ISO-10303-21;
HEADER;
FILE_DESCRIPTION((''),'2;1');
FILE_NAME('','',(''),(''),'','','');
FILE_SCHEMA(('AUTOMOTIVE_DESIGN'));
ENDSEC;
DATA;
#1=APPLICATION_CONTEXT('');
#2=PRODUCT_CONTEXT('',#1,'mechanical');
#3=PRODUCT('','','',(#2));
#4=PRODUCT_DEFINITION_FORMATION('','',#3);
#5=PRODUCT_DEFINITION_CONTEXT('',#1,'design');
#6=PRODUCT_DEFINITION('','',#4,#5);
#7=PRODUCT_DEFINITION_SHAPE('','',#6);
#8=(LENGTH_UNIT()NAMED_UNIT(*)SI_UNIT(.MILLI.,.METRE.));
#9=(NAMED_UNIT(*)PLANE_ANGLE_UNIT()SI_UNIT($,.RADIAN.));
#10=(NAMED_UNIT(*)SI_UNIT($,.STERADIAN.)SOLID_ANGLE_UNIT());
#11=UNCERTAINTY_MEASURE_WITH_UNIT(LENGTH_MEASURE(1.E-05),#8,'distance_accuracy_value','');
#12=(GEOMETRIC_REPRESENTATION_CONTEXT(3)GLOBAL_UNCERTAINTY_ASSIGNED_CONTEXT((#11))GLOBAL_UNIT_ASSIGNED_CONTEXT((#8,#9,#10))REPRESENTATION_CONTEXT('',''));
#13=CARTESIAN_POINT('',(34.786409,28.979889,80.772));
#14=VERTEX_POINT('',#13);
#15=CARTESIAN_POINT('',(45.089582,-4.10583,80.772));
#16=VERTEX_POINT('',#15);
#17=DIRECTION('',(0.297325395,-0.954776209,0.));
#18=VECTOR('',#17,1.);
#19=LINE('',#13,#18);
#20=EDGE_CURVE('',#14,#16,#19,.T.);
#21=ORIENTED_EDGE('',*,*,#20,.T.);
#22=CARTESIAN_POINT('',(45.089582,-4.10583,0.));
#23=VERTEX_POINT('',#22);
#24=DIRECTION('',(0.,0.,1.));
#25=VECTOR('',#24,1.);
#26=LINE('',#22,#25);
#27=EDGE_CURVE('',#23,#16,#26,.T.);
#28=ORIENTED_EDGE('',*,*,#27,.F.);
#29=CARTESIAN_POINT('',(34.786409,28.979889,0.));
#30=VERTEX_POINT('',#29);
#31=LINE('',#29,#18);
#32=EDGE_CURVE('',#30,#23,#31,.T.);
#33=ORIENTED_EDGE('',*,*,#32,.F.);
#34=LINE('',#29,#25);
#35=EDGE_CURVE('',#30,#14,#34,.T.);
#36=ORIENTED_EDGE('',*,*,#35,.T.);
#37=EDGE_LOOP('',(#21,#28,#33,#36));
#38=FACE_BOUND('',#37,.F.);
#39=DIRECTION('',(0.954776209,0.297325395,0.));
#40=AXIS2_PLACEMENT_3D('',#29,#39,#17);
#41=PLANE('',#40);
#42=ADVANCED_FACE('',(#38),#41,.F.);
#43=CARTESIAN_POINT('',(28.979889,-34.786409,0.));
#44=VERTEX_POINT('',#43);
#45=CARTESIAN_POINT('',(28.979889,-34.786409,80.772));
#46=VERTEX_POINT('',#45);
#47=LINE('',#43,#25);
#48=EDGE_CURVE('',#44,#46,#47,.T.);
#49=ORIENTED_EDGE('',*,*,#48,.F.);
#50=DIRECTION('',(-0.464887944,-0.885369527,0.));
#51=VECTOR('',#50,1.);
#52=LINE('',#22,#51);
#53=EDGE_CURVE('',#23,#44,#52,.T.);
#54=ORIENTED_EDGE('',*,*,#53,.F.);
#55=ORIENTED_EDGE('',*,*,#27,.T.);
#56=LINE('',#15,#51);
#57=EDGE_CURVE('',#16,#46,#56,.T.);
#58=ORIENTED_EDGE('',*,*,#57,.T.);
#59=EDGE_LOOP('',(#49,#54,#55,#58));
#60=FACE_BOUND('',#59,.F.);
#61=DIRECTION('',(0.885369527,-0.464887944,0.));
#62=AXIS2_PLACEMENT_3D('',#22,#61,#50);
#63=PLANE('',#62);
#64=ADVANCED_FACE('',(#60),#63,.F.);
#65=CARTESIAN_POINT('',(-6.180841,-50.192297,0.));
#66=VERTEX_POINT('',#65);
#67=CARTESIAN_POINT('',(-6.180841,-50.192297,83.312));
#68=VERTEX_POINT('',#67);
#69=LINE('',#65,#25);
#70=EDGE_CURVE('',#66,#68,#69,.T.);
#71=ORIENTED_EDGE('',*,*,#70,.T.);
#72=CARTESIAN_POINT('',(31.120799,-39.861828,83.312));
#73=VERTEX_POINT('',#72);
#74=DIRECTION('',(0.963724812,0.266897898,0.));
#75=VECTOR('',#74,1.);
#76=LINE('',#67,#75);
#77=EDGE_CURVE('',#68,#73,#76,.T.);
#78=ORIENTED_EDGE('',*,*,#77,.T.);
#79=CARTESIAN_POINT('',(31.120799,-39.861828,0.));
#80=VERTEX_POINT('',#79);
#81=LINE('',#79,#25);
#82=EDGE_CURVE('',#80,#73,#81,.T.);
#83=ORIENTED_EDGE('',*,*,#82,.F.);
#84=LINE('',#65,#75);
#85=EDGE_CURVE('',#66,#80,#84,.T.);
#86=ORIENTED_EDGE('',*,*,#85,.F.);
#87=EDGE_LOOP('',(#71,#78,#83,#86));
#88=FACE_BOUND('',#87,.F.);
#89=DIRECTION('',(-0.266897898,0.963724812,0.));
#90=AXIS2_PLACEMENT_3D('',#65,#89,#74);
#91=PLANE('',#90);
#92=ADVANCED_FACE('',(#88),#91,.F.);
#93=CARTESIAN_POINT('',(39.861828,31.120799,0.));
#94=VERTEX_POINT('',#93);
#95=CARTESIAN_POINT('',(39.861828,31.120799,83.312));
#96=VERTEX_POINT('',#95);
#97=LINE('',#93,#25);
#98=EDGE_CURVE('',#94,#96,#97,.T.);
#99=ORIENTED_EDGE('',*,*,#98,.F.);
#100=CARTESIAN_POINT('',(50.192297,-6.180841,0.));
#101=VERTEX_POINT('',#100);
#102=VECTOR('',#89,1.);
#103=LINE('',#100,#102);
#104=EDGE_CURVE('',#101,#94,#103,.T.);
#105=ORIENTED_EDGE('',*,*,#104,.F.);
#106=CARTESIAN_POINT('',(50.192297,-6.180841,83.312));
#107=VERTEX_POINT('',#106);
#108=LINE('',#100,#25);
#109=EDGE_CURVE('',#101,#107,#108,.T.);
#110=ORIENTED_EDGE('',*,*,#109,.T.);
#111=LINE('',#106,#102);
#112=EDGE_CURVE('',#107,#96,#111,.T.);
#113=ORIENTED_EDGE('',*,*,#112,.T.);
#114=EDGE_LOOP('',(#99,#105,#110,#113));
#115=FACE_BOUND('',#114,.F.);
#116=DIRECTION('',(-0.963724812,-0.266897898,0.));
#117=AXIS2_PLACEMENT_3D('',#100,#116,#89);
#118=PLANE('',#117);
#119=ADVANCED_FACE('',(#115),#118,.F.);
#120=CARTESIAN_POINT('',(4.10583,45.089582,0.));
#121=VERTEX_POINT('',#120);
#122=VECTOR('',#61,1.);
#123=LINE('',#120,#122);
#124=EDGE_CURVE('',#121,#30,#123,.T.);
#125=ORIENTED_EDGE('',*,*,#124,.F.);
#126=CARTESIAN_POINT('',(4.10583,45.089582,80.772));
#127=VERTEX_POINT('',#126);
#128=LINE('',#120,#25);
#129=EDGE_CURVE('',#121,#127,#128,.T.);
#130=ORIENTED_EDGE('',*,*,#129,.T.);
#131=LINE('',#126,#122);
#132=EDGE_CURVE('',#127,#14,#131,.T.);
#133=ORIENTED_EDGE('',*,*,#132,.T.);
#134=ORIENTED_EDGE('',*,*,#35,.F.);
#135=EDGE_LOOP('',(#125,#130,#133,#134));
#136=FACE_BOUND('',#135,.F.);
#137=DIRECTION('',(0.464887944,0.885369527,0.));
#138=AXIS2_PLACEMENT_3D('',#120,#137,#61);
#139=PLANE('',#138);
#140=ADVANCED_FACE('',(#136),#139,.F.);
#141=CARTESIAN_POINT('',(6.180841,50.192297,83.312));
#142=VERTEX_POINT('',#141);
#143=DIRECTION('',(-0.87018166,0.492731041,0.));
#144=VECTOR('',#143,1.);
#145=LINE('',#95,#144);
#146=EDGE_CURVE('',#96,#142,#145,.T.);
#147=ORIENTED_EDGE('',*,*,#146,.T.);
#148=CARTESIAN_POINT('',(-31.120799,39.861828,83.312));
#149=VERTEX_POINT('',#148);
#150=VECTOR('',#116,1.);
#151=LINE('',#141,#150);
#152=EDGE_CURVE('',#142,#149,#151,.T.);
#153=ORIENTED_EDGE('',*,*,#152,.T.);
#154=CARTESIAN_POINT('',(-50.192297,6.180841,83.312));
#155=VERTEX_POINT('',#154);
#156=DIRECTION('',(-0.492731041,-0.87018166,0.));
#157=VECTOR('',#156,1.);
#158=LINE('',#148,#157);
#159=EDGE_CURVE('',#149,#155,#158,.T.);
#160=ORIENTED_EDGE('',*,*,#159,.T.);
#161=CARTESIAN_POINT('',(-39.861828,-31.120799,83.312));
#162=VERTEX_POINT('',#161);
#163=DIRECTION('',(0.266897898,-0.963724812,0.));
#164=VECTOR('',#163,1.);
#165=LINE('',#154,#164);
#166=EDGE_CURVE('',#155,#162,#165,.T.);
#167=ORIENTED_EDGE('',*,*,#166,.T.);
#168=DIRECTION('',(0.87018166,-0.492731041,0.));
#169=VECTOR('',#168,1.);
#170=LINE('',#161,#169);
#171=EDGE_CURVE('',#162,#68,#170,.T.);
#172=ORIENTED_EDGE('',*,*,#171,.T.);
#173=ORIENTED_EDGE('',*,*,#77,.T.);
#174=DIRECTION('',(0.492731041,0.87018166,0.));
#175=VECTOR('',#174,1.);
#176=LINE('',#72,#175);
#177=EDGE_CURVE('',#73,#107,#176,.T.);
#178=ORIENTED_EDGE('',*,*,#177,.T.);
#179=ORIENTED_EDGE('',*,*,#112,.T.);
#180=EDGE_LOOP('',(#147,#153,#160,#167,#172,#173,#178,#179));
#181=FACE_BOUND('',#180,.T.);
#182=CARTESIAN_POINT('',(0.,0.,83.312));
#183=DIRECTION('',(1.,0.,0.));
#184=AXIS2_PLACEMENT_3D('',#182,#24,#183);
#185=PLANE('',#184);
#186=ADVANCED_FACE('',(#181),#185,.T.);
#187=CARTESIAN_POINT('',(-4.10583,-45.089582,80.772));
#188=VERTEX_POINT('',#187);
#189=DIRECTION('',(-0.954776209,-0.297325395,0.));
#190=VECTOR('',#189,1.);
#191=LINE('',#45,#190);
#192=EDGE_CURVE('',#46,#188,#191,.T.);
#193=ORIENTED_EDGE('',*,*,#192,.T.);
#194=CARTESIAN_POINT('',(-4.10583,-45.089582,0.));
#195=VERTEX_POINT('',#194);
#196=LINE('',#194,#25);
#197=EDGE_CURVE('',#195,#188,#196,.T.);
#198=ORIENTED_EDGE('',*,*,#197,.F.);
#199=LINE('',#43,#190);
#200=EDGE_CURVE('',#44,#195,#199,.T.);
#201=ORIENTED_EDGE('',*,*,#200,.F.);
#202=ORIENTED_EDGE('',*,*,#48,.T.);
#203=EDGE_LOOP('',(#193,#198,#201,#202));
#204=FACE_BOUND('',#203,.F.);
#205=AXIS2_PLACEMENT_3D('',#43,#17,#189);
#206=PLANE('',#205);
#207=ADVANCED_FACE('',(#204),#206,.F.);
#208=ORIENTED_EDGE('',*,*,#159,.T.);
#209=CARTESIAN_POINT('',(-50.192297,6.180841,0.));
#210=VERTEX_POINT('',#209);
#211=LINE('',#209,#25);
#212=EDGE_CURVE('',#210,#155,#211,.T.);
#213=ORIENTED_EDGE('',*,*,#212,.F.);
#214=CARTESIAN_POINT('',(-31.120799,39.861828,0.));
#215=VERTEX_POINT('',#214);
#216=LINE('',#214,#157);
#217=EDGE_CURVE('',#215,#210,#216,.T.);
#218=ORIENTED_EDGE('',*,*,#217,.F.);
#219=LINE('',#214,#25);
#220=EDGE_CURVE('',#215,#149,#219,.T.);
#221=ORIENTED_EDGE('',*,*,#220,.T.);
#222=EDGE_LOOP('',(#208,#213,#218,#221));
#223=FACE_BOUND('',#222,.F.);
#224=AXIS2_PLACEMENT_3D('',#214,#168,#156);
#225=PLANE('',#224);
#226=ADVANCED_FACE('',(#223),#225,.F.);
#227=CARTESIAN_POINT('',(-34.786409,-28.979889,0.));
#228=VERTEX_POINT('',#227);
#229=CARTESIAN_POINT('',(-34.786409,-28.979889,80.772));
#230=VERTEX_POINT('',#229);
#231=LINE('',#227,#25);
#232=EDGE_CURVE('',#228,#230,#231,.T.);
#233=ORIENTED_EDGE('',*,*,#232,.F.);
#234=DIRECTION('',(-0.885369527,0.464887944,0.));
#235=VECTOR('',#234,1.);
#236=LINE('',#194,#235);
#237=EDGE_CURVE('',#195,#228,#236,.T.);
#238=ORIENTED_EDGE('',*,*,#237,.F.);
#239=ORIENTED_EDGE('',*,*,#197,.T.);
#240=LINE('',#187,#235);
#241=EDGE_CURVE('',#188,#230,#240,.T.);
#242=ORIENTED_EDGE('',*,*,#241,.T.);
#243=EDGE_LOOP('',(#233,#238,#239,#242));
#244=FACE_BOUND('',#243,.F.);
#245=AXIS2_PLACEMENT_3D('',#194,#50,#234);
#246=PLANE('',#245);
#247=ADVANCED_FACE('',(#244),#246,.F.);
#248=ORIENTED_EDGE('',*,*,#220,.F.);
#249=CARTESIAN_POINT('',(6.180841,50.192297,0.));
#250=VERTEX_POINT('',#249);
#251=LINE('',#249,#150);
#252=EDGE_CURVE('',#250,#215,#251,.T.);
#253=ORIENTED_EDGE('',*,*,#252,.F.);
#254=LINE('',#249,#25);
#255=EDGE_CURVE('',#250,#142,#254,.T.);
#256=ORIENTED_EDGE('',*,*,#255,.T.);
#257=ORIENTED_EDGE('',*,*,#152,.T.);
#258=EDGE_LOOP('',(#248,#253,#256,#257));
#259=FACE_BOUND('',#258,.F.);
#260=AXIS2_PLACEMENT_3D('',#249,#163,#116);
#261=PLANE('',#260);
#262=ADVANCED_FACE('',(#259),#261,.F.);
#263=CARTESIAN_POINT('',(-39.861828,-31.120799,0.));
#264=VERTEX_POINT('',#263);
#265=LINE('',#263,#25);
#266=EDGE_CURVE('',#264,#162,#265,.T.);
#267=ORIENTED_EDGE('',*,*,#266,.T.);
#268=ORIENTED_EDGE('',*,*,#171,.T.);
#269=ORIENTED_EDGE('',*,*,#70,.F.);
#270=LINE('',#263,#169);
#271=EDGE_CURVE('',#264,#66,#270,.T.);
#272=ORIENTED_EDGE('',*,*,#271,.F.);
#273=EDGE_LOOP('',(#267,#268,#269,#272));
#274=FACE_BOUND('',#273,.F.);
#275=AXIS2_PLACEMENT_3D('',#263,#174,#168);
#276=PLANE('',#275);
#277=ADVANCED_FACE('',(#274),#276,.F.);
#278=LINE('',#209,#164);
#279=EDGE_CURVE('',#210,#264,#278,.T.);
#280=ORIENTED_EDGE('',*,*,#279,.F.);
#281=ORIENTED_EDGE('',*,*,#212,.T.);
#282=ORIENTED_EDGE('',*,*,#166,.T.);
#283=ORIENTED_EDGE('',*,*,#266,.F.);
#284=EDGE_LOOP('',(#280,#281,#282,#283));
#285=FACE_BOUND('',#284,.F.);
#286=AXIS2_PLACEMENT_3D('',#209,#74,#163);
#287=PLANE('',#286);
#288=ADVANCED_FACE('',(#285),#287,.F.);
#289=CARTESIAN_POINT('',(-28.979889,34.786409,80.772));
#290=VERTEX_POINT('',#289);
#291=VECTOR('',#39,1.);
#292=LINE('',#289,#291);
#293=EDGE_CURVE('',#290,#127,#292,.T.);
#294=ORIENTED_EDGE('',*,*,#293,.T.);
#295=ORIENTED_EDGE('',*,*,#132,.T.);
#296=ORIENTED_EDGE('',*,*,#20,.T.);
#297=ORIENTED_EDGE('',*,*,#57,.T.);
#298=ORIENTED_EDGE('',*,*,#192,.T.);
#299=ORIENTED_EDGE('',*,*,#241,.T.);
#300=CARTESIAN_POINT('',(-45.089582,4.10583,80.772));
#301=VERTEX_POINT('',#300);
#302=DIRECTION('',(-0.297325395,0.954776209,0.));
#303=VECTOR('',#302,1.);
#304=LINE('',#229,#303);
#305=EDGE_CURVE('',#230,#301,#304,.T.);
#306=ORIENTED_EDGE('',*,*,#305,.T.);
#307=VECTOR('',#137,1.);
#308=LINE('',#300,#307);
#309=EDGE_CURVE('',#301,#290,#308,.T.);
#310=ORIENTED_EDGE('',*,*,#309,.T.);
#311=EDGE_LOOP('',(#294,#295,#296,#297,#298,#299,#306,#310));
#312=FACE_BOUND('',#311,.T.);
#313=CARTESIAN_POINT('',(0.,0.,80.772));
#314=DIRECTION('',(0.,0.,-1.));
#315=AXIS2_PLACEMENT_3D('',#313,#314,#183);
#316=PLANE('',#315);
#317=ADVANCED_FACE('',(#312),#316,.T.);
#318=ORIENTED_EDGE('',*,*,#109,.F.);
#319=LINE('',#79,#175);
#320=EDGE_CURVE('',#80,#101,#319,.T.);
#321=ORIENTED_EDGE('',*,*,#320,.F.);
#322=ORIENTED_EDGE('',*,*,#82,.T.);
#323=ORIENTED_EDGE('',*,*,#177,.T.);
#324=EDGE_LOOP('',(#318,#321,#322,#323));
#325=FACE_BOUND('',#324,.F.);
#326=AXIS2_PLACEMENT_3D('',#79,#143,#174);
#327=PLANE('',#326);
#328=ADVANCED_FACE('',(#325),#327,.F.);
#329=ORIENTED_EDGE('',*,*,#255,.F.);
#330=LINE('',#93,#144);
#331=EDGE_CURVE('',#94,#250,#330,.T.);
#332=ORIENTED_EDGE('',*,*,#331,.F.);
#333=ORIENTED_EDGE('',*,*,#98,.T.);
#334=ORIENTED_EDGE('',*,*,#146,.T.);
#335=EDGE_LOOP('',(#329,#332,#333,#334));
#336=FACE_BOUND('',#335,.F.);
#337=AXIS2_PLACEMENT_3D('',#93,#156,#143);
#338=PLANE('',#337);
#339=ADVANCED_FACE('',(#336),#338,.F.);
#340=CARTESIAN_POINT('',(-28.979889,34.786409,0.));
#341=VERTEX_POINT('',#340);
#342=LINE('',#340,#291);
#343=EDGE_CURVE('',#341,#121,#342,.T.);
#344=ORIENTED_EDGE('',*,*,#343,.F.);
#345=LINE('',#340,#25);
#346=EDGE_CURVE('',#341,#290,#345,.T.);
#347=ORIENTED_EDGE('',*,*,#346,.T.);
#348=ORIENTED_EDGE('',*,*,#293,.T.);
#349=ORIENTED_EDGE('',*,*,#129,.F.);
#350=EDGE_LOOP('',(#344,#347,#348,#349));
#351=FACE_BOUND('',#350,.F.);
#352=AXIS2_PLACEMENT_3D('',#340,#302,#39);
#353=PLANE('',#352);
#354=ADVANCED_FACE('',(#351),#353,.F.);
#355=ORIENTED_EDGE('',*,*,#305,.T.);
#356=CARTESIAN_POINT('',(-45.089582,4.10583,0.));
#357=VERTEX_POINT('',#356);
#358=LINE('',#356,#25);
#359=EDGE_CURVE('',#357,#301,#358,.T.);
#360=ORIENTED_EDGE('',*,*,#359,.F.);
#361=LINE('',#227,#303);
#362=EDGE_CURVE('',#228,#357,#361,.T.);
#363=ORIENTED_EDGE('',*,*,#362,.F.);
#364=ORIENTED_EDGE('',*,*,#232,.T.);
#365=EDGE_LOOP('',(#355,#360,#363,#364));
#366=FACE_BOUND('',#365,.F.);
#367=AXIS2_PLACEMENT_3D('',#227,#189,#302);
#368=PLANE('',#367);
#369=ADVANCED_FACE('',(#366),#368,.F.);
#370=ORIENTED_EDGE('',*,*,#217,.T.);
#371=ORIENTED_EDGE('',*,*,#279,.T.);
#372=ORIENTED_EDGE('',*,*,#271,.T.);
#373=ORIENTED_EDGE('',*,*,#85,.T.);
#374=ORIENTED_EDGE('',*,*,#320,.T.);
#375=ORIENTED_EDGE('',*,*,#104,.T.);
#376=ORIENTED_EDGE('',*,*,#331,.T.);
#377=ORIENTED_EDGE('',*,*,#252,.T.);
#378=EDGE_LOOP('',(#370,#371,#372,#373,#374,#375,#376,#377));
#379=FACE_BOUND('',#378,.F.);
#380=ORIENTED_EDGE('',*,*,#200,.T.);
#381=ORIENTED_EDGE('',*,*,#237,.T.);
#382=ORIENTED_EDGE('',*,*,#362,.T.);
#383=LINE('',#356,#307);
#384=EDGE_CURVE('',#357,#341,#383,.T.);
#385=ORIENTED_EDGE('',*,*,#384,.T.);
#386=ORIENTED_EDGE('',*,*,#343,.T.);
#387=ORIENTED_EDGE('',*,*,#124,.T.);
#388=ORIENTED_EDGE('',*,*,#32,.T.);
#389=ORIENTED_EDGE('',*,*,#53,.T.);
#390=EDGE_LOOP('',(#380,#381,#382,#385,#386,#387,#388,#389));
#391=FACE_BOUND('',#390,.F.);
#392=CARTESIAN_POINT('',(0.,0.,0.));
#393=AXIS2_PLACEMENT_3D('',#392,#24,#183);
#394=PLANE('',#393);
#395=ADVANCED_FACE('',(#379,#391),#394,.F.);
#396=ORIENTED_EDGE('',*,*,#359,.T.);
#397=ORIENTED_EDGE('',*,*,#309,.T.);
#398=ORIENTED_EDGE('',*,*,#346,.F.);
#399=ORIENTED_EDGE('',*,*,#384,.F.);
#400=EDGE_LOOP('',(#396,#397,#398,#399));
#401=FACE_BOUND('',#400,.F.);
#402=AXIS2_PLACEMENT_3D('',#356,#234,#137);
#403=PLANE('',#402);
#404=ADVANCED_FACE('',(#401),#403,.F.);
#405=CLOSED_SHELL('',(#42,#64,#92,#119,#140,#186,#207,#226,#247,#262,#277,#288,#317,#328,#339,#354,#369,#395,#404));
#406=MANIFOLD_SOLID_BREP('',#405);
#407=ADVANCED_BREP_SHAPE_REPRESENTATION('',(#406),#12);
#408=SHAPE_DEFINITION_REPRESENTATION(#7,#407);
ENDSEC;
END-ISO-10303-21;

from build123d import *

# Parameters (mm, degrees)
F1_DEPTH = 83.312
F3_DEPTH = 80.772


with BuildPart() as f1:
    # F0 (on Top) → F1 (new body)
    with BuildSketch(Plane.XY):
        Polygon((-31.120799, 39.861828), (-50.192297, 6.180841), (-39.861828, -31.120799), (-6.180841, -50.192297), (31.120799, -39.861828), (50.192297, -6.180841), (39.861828, 31.120799), (6.180841, 50.192297), align=None)
    extrude(amount=F1_DEPTH)

    # F2 (on face) → F3 (cut)
    with BuildSketch(Plane(origin=(0, 0, 0), x_dir=(1, 0, 0), z_dir=(0, 0, -1))):
        Polygon((-4.10583, 45.089582), (-34.786409, 28.979889), (-45.089582, -4.10583), (-28.979889, -34.786409), (4.10583, -45.089582), (34.786409, -28.979889), (45.089582, 4.10583), (28.979889, 34.786409), align=None)
    extrude(amount=-F3_DEPTH, mode=Mode.SUBTRACT)


solid = f1.part
